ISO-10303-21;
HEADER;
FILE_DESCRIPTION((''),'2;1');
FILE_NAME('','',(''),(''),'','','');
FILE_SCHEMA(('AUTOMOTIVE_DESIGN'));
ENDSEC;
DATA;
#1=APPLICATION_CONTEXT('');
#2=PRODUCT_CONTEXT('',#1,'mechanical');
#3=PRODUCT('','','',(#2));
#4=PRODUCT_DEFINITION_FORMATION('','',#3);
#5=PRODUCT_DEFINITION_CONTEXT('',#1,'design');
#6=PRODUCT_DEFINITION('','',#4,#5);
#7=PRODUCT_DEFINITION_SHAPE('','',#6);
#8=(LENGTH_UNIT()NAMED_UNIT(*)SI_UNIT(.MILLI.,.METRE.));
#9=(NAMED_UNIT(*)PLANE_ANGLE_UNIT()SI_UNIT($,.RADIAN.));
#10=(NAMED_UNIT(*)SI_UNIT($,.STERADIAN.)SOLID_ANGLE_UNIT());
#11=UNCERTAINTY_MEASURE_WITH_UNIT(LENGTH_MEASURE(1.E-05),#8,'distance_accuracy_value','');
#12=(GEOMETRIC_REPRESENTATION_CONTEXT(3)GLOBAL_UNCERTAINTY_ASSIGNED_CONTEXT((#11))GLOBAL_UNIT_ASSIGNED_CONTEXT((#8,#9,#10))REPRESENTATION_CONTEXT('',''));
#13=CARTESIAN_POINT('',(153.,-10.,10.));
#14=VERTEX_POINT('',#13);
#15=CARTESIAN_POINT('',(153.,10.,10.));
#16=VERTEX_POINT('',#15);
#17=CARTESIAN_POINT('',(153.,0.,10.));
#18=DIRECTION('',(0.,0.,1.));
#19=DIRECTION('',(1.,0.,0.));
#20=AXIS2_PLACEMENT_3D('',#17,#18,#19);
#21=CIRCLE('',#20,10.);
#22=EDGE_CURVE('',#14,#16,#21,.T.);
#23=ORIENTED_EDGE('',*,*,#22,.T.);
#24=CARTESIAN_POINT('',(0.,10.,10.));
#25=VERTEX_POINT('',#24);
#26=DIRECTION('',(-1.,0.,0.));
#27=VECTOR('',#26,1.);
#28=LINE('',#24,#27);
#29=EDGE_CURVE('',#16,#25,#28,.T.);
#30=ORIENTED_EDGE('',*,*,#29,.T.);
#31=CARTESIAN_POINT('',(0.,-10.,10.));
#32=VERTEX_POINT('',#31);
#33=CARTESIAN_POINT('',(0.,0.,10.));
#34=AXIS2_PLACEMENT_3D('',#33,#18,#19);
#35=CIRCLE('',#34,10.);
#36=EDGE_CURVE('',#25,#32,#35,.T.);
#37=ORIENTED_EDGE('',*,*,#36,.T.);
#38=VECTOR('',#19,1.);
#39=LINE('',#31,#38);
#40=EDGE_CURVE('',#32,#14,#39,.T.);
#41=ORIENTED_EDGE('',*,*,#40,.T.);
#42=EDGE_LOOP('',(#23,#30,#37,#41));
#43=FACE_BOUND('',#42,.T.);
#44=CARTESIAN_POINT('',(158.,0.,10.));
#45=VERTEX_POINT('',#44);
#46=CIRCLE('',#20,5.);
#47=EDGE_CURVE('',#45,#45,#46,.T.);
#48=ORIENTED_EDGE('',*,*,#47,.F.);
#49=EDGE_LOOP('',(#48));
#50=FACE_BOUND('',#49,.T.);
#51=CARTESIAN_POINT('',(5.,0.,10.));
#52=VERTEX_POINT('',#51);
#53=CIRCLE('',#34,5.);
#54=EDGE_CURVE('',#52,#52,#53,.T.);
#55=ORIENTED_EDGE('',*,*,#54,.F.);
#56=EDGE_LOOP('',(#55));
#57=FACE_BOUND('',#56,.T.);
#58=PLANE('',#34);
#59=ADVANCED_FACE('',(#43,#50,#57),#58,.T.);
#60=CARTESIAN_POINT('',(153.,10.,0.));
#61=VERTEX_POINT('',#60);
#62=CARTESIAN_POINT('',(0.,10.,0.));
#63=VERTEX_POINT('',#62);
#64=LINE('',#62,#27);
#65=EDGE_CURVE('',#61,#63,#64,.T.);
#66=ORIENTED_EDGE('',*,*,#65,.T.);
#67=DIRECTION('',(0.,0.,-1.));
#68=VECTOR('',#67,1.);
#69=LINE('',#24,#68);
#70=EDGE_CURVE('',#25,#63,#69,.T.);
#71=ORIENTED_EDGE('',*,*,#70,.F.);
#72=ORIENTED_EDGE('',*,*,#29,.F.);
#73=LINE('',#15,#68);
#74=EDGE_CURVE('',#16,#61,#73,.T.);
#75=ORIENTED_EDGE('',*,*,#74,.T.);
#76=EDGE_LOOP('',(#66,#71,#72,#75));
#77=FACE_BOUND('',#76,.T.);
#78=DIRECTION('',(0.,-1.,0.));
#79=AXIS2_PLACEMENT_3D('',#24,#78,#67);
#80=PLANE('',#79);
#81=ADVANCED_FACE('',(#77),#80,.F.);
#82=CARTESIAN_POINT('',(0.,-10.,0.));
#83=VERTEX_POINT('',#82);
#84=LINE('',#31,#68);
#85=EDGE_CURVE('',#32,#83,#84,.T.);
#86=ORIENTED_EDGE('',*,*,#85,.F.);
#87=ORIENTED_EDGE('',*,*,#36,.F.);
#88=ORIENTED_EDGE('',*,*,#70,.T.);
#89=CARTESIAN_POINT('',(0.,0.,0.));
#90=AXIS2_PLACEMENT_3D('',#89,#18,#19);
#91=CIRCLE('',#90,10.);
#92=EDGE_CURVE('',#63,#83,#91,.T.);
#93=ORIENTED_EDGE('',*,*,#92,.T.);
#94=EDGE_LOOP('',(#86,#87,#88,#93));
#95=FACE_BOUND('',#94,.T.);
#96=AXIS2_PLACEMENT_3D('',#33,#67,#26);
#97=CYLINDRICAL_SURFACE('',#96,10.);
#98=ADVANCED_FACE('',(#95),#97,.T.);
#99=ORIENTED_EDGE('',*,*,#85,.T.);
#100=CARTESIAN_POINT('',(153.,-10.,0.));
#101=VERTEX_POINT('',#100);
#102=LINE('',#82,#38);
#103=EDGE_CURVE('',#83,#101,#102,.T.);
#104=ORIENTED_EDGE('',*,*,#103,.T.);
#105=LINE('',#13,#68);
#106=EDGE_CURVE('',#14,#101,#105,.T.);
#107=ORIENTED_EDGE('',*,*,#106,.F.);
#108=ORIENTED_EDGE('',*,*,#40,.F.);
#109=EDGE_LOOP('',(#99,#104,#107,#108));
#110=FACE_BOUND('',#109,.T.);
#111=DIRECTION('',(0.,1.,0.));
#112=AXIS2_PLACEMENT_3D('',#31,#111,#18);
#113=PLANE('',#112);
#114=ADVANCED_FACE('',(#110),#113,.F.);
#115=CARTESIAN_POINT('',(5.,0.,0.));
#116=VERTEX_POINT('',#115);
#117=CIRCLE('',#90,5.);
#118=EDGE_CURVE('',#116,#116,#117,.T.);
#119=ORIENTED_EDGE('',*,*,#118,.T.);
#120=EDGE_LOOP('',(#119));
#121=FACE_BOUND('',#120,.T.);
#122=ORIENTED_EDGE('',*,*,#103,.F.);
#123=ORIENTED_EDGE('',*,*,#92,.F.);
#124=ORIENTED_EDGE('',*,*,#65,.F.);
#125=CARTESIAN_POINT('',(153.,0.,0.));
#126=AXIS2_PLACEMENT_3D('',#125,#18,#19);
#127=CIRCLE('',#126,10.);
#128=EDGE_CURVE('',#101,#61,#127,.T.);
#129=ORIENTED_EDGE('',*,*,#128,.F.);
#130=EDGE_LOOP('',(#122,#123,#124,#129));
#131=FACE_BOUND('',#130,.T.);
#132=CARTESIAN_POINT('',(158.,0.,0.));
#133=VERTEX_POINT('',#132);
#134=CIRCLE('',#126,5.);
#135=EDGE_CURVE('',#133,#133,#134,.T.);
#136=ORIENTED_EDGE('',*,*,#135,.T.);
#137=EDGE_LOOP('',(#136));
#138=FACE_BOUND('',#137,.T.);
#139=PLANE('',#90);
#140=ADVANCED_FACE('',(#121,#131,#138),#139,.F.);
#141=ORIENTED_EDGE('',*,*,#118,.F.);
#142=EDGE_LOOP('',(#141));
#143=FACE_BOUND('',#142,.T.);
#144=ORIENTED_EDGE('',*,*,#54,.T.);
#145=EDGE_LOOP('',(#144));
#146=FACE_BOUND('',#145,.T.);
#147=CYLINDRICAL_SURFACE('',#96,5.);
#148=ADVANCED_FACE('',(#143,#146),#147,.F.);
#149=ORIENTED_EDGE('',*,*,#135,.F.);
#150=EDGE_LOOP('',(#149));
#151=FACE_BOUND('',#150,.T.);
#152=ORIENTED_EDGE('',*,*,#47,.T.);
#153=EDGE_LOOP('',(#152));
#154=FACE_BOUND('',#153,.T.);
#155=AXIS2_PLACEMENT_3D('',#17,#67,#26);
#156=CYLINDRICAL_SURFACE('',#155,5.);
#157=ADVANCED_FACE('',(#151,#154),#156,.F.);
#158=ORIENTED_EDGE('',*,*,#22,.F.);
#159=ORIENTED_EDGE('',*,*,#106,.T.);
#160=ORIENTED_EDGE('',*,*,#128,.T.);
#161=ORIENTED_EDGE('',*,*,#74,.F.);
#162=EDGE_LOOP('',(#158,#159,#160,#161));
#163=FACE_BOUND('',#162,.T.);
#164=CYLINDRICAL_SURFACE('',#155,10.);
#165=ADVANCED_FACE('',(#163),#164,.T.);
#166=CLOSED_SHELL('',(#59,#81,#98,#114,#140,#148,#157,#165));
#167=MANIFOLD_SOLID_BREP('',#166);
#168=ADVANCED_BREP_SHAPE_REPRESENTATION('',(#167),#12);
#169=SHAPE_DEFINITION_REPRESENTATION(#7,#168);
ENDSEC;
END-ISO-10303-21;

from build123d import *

# Parameters (mm, degrees)
SKETCH_1_R      = 5
EXTRUDE_1_DEPTH = 10


with BuildPart() as part:
    # 草图1 → 凸台-拉伸1 (new body)
    with BuildSketch(Plane.XY):
        with BuildLine():
            Line((0, 10), (153, 10))
            ThreePointArc((153, 10), (163, 0), (153, -10))
            Line((153, -10), (0, -10))
            ThreePointArc((0, -10), (-10, 0), (0, 10))
        make_face()
        Circle(SKETCH_1_R, mode=Mode.SUBTRACT)
        with Locations((153, 0)):
            Circle(SKETCH_1_R, mode=Mode.SUBTRACT)
    extrude(amount=EXTRUDE_1_DEPTH)


solid = part.part
